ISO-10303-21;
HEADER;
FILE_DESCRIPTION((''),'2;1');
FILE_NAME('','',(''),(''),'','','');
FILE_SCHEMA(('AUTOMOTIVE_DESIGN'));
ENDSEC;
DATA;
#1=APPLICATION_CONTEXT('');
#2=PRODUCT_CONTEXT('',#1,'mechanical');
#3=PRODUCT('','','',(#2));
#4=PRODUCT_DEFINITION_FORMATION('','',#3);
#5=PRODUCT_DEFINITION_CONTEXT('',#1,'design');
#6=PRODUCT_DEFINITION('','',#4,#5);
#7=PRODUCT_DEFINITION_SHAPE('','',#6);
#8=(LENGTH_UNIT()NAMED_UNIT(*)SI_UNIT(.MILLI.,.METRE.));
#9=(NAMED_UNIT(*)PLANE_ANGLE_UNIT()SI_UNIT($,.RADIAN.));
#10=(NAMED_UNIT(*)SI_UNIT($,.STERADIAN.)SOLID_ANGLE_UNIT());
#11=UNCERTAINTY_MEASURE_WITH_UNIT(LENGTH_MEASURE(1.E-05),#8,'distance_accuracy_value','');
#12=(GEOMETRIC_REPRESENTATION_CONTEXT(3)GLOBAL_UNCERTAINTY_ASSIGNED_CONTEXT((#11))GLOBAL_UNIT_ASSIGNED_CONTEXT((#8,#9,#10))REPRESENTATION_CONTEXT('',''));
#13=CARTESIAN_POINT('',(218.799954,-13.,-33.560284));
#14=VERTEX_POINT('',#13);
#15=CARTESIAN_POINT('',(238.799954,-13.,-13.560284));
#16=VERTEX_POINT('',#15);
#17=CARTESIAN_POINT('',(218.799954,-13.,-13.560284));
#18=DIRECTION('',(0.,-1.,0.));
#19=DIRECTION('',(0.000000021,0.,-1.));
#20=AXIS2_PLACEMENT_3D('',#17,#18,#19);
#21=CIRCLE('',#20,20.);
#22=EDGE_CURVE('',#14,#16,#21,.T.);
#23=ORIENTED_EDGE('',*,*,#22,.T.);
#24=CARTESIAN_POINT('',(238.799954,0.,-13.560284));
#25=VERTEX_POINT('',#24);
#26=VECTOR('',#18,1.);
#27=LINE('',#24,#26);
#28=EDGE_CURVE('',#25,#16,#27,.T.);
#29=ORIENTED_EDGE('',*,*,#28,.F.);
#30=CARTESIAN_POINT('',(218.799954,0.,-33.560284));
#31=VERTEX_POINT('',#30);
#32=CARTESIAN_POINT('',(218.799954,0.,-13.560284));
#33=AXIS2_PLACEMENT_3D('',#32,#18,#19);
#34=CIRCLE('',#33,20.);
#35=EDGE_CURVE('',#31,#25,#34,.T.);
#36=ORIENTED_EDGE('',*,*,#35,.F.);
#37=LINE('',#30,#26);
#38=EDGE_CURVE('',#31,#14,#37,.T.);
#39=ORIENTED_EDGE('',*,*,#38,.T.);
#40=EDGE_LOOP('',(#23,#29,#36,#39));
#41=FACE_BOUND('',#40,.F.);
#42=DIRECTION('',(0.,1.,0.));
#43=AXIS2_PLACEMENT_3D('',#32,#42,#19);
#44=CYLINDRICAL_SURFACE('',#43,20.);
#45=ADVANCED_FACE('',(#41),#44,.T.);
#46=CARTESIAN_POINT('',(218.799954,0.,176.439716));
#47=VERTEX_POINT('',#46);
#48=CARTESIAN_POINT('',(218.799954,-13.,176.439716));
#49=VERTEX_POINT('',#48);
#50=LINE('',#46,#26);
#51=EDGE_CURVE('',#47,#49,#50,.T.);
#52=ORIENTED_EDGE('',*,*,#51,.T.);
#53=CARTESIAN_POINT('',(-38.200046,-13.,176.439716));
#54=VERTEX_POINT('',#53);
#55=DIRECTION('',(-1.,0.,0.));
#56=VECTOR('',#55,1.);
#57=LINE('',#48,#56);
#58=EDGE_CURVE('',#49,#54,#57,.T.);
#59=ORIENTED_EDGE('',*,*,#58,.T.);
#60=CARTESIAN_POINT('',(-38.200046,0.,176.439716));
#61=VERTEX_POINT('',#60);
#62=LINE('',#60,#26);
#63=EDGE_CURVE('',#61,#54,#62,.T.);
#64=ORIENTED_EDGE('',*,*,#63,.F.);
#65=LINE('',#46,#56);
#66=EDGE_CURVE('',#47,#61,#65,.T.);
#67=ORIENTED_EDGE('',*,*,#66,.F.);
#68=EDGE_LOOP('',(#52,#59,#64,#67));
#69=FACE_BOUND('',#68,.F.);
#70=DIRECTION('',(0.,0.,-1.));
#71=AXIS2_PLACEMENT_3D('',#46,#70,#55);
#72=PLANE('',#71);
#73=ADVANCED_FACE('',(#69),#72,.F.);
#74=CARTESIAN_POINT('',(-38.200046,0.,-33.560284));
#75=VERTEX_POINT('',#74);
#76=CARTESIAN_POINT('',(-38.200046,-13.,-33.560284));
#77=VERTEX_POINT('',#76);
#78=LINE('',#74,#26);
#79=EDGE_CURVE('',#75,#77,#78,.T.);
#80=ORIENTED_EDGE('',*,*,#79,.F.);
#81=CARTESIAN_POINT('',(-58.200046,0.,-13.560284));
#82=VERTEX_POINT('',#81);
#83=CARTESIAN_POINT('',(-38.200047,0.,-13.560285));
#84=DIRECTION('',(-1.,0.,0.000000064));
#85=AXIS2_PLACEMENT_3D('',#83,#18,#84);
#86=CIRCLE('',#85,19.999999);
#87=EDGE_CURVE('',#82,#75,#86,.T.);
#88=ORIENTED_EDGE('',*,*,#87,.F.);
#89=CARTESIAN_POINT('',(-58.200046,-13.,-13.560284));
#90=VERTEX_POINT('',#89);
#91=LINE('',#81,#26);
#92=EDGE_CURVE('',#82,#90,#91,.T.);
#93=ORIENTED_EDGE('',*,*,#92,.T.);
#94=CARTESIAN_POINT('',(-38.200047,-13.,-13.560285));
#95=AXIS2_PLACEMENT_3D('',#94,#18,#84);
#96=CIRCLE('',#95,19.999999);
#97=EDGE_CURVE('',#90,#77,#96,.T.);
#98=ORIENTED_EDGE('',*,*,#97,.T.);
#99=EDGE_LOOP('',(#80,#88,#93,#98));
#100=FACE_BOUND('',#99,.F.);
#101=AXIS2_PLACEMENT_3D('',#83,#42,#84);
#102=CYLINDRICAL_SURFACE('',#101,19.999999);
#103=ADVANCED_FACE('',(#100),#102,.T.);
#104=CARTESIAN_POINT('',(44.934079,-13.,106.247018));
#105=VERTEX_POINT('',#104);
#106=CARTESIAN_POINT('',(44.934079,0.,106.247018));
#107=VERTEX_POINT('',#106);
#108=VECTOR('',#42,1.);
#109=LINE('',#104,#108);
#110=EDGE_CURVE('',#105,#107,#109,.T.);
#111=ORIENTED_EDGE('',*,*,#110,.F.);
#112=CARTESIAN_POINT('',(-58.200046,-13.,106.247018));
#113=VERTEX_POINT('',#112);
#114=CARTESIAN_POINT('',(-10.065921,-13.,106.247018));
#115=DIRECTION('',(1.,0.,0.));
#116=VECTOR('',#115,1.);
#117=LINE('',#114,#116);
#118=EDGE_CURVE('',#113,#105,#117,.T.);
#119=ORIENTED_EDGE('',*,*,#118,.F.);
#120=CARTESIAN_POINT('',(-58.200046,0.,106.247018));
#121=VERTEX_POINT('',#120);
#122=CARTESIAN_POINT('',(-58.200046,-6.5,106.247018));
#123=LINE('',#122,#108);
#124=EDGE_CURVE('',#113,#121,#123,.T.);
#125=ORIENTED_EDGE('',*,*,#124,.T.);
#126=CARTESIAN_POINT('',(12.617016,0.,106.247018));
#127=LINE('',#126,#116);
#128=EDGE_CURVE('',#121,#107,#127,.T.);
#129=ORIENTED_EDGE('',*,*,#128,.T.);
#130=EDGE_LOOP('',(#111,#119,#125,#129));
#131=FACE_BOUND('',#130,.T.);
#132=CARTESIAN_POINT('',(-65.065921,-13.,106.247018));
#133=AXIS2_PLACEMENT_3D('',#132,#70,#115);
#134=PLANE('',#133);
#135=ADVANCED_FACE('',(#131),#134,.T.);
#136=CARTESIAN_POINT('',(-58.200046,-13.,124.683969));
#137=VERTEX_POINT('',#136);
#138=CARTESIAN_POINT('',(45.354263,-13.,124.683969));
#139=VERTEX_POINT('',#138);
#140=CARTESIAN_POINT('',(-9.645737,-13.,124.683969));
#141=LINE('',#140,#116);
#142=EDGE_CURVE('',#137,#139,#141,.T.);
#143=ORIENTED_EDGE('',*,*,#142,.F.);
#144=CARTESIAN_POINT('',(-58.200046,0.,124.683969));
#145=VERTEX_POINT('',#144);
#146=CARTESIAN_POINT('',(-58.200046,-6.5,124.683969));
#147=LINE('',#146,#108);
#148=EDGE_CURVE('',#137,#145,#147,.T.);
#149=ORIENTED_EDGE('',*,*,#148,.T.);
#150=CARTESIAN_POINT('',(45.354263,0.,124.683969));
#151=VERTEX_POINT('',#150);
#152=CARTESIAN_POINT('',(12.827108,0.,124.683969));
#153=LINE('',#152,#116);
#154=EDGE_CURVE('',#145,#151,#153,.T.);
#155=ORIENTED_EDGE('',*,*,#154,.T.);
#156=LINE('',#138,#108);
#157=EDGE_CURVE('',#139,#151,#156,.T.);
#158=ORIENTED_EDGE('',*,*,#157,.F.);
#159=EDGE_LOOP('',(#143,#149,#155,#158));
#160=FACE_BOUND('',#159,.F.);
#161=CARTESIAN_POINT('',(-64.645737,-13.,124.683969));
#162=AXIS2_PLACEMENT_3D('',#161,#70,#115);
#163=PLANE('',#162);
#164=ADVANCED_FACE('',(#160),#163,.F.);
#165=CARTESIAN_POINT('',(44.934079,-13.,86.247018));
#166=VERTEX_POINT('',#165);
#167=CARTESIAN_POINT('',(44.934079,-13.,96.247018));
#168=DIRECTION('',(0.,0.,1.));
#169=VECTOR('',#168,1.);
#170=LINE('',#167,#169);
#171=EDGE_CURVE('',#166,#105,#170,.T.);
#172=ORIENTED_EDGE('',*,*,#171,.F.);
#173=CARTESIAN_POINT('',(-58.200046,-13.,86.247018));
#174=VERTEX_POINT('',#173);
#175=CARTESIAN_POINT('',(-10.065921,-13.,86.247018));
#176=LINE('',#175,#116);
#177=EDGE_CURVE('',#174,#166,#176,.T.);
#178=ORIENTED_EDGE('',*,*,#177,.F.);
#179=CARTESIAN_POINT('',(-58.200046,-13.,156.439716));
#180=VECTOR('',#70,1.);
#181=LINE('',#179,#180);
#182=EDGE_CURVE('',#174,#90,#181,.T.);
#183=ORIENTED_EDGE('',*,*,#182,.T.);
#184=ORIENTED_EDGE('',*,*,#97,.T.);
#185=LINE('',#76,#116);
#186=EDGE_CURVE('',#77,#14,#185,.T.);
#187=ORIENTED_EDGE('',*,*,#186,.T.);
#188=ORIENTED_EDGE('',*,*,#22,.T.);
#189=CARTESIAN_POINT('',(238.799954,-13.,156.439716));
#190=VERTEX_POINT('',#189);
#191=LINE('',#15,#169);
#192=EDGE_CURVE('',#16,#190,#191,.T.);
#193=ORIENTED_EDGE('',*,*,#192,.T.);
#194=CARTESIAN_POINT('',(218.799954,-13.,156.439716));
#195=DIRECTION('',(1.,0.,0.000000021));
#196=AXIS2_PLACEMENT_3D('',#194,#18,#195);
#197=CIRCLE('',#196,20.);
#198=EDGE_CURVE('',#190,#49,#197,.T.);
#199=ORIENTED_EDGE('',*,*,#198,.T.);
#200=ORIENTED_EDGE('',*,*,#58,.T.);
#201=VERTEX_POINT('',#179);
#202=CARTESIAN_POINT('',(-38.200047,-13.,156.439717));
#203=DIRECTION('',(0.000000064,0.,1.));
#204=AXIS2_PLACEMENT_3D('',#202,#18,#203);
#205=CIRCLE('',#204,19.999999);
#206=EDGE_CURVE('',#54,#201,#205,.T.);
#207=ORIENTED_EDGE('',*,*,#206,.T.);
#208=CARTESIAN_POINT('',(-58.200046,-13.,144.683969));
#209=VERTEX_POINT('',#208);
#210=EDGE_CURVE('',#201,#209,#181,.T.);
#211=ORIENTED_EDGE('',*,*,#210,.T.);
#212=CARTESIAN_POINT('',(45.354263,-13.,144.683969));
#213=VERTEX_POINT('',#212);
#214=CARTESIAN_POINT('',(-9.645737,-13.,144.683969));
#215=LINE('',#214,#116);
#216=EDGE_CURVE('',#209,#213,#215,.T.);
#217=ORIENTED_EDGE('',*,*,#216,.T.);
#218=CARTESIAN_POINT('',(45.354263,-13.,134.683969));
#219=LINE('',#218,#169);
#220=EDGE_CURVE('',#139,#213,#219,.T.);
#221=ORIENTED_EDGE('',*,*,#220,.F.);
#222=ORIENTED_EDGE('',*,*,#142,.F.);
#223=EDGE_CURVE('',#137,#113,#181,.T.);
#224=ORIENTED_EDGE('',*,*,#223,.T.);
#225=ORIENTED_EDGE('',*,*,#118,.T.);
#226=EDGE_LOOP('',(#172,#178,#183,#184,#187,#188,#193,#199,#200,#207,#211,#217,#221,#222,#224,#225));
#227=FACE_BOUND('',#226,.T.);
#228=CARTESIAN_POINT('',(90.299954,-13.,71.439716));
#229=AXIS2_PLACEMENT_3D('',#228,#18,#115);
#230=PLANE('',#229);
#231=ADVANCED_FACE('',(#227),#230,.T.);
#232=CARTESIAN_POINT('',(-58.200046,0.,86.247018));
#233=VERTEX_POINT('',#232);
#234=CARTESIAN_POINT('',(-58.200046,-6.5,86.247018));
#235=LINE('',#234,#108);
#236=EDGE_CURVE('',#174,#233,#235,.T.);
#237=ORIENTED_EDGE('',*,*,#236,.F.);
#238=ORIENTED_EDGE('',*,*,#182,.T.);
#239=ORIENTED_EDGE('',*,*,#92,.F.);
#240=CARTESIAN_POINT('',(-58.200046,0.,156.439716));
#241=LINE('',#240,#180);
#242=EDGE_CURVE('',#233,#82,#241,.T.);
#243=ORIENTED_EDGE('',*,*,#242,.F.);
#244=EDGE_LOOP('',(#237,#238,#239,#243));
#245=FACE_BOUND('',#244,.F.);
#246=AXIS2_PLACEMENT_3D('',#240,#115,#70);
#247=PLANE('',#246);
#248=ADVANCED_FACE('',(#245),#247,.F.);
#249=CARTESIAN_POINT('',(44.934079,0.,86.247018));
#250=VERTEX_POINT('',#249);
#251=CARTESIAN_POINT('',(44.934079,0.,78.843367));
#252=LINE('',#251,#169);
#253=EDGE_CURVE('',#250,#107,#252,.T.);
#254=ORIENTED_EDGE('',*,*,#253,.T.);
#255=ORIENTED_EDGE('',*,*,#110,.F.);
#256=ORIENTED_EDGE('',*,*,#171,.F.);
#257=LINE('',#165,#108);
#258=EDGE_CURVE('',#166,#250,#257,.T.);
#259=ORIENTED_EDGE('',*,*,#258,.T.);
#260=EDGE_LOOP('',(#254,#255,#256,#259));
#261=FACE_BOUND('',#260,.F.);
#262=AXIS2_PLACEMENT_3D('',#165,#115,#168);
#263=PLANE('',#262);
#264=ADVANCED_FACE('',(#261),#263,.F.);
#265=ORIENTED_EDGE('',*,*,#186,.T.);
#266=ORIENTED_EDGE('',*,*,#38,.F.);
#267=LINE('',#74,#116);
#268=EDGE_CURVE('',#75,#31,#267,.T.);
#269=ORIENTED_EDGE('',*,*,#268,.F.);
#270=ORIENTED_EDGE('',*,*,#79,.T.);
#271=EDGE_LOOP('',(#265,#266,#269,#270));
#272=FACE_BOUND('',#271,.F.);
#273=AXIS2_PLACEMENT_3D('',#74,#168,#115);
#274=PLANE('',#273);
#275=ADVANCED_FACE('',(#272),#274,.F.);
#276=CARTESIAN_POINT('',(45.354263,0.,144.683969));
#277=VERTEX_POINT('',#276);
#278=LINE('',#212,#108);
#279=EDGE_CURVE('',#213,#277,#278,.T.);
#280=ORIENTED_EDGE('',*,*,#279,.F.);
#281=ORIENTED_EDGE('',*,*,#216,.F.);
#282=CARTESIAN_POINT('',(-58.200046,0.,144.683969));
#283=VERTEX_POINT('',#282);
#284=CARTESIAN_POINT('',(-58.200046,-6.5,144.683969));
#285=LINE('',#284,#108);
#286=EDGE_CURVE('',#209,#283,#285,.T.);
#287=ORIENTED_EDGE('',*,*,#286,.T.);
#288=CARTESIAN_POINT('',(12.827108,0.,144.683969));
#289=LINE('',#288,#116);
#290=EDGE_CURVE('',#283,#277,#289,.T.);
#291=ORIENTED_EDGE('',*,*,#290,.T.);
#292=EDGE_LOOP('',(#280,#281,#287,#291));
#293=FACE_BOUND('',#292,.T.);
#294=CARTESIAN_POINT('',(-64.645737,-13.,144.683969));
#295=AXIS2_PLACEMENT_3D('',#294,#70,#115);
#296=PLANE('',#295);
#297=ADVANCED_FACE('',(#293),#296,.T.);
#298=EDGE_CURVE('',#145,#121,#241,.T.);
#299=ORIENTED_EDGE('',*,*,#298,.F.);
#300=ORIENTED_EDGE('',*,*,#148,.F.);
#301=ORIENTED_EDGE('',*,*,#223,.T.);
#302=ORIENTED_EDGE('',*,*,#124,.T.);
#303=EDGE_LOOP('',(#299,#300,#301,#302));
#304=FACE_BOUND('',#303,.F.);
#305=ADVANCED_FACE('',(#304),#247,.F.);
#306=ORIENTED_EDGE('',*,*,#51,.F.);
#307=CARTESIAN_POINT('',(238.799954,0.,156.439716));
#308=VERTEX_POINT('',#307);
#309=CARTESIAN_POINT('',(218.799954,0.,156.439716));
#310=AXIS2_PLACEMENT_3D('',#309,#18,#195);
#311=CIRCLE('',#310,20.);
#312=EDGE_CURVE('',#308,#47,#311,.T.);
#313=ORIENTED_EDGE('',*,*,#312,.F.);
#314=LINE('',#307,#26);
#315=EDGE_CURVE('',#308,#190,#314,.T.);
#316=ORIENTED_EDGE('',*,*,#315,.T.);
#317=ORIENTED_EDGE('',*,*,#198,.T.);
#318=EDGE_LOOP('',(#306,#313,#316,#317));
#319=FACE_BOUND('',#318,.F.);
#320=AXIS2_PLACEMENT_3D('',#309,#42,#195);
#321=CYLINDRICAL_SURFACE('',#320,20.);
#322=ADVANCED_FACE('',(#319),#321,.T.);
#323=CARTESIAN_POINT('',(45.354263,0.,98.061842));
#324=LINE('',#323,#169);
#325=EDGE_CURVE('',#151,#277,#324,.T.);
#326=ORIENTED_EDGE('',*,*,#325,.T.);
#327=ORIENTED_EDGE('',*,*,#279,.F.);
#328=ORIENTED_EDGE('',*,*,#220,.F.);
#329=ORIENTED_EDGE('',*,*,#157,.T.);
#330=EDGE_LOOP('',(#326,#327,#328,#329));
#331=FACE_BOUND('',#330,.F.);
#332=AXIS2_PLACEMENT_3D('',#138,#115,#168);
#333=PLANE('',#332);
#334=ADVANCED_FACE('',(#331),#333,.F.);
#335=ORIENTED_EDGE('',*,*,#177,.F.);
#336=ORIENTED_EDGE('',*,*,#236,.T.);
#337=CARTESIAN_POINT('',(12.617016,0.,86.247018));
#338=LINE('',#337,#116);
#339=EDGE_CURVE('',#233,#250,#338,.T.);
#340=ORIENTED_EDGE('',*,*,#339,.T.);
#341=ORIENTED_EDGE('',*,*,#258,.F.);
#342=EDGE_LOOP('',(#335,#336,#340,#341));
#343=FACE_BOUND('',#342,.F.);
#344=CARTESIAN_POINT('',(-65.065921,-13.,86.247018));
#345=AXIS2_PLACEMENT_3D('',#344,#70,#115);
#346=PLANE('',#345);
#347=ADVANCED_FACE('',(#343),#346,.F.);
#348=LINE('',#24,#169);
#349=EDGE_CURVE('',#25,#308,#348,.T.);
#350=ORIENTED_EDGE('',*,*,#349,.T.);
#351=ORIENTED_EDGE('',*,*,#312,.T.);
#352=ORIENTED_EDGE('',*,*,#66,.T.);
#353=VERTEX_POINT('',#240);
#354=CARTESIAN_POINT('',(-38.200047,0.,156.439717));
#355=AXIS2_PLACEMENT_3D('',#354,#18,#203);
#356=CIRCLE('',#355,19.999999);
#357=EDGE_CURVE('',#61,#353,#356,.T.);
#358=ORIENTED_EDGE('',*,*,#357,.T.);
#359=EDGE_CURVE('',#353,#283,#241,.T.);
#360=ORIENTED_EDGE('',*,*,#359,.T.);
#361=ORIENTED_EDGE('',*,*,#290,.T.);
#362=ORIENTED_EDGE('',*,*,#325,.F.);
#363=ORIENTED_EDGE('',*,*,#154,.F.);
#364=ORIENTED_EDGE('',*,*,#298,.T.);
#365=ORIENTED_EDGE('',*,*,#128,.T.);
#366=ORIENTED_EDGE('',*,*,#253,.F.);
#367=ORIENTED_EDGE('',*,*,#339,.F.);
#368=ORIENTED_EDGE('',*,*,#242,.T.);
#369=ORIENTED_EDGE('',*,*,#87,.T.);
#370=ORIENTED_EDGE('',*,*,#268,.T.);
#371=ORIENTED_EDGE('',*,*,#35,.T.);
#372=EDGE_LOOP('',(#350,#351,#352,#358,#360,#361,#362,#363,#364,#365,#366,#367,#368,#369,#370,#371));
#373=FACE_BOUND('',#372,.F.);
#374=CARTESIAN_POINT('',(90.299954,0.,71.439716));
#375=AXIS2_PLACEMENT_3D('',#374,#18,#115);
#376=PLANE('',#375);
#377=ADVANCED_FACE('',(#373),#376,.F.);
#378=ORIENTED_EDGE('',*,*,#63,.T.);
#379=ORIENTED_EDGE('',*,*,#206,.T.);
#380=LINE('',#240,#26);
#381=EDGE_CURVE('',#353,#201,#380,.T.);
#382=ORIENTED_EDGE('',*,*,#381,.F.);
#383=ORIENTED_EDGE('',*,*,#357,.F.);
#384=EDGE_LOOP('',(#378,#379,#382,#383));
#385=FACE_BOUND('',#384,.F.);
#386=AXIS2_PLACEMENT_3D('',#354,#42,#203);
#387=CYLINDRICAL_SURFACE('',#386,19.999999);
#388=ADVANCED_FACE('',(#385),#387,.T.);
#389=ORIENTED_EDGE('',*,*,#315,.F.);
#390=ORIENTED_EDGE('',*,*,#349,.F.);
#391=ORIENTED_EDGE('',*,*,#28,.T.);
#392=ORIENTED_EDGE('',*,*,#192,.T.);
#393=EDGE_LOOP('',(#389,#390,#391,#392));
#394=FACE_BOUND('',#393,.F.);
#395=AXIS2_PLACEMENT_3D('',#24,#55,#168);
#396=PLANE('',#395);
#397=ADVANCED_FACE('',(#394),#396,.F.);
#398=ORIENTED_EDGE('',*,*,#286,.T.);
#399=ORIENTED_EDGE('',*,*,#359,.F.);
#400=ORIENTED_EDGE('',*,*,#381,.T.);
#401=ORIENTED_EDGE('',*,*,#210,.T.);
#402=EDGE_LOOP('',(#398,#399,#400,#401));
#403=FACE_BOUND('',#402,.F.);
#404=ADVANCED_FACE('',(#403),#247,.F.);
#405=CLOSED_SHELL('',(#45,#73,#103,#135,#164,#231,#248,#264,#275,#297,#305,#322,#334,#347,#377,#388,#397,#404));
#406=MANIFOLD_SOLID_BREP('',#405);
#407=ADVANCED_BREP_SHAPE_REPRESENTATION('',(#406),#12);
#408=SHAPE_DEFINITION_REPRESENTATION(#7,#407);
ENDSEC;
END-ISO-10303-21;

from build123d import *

# Parameters (mm, degrees)
F1_DEPTH = 13
F2_W     = 110
F2_H     = 20
F3_DEPTH = 25
F4_W     = 110
F4_H     = 20
F5_DEPTH = 25


with BuildPart() as f1:
    # F0 (on Front) → F1 (new body)
    with BuildSketch(Plane.XZ):
        with BuildLine():
            Line((218.799954, 176.439716), (-38.200046, 176.439716))
            ThreePointArc((-38.200046, 176.439716), (-52.342182, 170.581852), (-58.200046, 156.439716))
            Line((-58.200046, 156.439716), (-58.200046, -13.560284))
            ThreePointArc((-58.200046, -13.560284), (-52.342182, -27.70242), (-38.200046, -33.560284))
            Line((-38.200046, -33.560284), (218.799954, -33.560284))
            ThreePointArc((218.799954, -33.560284), (232.942089, -27.70242), (238.799954, -13.560284))
            Line((238.799954, -13.560284), (238.799954, 156.439716))
            ThreePointArc((238.799954, 156.439716), (232.942089, 170.581852), (218.799954, 176.439716))
        make_face()
    extrude(amount=F1_DEPTH)

    # F2 (on face) → F3 (cut)
    with BuildSketch(Plane.XZ.offset(13)):
        with Locations((-9.645737, 134.683969)):
            Rectangle(F2_W, F2_H)
    extrude(amount=-F3_DEPTH, mode=Mode.SUBTRACT)

    # F4 (on face) → F5 (cut)
    with BuildSketch(Plane.XZ.offset(13)):
        with Locations((-10.065921, 96.247018)):
            Rectangle(F4_W, F4_H)
    extrude(amount=-F5_DEPTH, mode=Mode.SUBTRACT)


solid = f1.part
